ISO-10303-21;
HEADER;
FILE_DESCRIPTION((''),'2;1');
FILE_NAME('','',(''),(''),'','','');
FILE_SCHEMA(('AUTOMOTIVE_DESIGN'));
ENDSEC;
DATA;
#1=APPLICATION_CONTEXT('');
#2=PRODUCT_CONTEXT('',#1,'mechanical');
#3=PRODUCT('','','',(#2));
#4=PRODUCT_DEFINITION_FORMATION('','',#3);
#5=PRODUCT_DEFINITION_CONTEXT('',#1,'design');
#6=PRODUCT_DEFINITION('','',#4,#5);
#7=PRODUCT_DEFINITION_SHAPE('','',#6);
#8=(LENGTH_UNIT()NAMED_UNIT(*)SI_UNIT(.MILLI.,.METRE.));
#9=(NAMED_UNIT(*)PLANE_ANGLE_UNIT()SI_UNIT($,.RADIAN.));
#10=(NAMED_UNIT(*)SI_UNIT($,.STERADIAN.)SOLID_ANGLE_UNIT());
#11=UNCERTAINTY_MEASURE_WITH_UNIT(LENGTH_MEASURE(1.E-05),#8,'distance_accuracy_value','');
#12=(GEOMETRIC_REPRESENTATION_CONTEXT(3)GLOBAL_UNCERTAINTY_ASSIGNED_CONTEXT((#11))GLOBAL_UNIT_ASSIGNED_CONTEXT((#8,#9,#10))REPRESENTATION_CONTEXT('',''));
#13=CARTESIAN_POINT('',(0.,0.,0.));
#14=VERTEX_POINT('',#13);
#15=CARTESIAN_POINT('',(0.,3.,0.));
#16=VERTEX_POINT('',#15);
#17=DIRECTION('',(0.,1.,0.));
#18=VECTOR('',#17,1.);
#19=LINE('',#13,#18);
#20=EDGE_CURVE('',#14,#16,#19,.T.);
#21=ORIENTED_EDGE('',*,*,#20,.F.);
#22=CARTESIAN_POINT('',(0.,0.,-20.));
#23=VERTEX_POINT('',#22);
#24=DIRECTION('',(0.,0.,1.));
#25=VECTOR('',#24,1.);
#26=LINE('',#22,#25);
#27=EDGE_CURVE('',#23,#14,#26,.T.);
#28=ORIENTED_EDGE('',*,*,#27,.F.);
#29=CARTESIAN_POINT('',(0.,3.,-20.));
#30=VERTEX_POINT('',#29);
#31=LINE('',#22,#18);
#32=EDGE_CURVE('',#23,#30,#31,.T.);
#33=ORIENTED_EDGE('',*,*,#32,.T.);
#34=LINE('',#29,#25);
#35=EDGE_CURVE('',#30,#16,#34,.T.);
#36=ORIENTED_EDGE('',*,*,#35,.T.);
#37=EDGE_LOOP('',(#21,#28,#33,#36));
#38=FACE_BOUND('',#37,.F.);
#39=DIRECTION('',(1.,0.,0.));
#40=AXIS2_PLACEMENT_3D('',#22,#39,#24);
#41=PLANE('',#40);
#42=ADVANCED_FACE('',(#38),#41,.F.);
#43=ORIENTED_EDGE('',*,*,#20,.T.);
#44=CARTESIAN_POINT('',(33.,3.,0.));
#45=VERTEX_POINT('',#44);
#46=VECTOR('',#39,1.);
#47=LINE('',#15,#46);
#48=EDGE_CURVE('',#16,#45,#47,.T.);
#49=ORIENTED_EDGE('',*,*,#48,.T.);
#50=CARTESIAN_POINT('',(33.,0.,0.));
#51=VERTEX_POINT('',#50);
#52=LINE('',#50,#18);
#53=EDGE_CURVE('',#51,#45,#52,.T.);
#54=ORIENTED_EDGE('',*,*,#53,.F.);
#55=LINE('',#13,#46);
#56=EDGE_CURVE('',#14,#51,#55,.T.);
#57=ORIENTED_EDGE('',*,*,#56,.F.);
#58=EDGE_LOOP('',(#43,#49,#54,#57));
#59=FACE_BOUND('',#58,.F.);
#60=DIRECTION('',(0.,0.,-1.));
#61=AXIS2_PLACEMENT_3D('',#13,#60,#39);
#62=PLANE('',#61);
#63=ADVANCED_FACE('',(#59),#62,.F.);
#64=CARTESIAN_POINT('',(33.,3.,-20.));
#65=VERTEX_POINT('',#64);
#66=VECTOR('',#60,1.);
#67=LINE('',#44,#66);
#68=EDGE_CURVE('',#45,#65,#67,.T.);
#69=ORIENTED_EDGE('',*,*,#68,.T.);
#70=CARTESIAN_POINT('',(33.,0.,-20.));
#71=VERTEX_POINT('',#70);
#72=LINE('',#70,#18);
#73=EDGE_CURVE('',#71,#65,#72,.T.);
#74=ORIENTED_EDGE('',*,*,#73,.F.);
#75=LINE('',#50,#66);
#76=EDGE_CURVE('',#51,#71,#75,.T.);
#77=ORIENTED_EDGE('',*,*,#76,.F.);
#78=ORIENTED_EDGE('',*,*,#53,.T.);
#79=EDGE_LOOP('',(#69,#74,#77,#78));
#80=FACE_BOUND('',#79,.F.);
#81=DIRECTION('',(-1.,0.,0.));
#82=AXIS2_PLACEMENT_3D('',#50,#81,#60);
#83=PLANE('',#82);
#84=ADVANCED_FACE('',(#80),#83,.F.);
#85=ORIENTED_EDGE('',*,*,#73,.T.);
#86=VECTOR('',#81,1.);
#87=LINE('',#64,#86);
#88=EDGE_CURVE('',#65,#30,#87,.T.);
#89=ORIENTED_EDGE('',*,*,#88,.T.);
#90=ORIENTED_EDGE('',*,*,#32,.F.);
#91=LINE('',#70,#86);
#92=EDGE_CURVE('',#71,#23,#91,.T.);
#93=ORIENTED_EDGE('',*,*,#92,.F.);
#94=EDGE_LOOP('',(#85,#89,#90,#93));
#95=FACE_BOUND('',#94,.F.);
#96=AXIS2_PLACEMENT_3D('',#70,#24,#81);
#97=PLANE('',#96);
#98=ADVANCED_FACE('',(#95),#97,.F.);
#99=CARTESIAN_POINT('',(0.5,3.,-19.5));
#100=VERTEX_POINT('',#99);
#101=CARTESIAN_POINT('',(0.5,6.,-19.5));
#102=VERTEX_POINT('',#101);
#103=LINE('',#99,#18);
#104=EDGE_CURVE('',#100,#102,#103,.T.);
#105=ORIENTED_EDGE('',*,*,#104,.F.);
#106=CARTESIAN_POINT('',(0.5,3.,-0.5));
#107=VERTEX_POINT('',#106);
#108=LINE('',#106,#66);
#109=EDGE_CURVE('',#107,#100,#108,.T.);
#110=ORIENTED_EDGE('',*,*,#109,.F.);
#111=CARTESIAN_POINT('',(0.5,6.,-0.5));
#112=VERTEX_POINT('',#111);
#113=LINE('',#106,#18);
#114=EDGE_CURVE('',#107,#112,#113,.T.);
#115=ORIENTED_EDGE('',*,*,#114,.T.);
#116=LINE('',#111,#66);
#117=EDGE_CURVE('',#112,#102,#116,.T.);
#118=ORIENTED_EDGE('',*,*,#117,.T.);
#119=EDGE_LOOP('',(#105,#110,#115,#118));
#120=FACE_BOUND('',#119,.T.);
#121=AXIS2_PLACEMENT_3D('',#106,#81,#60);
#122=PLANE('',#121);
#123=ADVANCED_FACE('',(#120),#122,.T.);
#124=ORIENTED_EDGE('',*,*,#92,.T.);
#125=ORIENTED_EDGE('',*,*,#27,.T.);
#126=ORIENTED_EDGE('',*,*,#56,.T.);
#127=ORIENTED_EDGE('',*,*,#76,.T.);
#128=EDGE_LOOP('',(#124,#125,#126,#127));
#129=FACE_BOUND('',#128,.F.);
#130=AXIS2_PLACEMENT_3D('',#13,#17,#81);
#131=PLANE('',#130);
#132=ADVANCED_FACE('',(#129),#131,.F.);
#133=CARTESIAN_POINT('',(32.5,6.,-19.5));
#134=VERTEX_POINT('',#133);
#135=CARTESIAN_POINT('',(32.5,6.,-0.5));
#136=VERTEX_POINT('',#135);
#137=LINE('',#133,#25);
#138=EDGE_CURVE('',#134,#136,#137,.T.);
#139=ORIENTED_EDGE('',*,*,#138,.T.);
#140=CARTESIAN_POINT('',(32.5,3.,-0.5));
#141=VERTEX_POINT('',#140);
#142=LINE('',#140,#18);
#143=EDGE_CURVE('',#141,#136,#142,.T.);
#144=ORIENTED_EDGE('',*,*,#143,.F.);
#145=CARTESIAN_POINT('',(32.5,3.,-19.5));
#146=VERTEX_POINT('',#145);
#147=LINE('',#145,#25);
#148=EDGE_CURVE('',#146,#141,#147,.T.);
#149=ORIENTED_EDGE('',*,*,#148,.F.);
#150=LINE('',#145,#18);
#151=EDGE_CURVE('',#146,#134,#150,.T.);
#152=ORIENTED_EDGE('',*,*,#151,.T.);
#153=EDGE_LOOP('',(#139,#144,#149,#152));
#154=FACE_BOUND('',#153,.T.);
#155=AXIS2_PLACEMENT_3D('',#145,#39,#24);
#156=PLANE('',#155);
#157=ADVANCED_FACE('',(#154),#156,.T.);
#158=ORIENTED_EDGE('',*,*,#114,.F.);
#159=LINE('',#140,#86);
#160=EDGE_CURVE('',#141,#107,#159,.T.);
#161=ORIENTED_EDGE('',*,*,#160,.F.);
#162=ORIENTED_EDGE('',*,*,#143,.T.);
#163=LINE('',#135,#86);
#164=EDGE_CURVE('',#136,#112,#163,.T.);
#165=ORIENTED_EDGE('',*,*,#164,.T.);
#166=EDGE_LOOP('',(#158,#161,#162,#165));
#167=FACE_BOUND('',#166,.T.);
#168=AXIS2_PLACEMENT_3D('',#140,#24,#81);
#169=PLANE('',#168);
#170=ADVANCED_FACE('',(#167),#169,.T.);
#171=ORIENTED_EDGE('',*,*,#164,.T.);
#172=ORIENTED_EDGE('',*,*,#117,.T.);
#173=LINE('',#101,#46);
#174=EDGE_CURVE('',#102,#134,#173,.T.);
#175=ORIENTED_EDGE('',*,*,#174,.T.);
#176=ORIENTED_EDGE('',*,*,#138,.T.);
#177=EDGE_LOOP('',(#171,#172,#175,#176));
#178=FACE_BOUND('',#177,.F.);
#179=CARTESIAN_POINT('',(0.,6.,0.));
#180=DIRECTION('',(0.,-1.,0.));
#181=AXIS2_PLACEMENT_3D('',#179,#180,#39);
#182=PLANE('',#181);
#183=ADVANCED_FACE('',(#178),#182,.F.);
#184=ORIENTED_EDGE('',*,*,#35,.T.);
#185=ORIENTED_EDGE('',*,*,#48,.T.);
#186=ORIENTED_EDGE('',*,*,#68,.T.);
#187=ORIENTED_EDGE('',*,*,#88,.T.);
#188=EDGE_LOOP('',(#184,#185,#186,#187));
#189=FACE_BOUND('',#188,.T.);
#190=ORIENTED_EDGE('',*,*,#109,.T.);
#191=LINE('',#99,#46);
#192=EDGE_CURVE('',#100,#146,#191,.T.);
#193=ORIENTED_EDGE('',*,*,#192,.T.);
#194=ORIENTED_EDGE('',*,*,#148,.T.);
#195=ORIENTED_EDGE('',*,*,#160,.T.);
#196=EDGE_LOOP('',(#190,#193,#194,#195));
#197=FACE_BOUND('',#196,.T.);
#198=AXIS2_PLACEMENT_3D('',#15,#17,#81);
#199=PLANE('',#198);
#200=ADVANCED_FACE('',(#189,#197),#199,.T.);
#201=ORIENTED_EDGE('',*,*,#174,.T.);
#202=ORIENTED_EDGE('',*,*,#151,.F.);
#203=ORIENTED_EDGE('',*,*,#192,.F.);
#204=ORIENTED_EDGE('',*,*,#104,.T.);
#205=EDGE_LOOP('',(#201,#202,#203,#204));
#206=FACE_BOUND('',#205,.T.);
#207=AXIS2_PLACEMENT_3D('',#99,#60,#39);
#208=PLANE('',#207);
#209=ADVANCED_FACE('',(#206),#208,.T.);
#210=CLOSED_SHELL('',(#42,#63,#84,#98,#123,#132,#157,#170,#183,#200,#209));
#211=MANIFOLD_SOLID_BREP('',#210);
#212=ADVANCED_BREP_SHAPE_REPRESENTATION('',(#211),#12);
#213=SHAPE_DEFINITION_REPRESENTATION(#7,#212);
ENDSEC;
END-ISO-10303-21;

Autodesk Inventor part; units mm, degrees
ref_plane "YZ Plane" through (0, 0, 0) normal (1, 0, 0) x (0, 1, 0)
ref_plane "XZ Plane" through (0, 0, 0) normal (0, 1, 0) x (-1, 0, 0)
ref_plane "XY Plane" through (0, 0, 0) normal (0, 0, 1) x (1, 0, 0)
sketch "Base Sketch" plane through (0, 0, 0) normal (0, 1, 0) x (-1, 0, 0)
  line L0 (0, 0) -> (-33, 0)
  line L1 (-33, 0) -> (-33, -20)
  line L2 (-33, -20) -> (0, -20)
  line L3 (0, -20) -> (0, 0)
  dimension "d0" = 33
  dimension "d1" = 20
extrude "Base" add sketch "Base Sketch" along normal blind 3
sketch "Inner Part Sketch" plane through (0, 3, 0) normal (0, -1, 0) x (1, 0, 0)
  line L0 (0, 0) -> (33, 0) construction
  line L1 (33, 0) -> (33, -20) construction
  line L2 (33, -20) -> (0, -20) construction
  line L3 (0, -20) -> (0, 0) construction
  line L4 (0.5, -19.5) -> (32.5, -19.5)
  line L5 (32.5, -19.5) -> (32.5, -0.5)
  line L6 (32.5, -0.5) -> (0.5, -0.5)
  line L7 (0.5, -0.5) -> (0.5, -19.5)
  dimension "d4" = 0.5
extrude "Inner Part" add sketch "Inner Part Sketch" against normal blind 3
equation "\"d0\" = ManifoldInnerWidth + 2 * ManifoldWallThickness"
equation "\"d1\" = ManifoldOuterDepth"
equation "\"d4\" = ManifoldWallThickness"
equation "\"ManifoldInnerWidth\" = 32"
equation "\"ManifoldWallThickness\" = 0.5"
equation "\"ManifoldOuterDepth\" = 20"
properties part number "ManifoldLid0"
